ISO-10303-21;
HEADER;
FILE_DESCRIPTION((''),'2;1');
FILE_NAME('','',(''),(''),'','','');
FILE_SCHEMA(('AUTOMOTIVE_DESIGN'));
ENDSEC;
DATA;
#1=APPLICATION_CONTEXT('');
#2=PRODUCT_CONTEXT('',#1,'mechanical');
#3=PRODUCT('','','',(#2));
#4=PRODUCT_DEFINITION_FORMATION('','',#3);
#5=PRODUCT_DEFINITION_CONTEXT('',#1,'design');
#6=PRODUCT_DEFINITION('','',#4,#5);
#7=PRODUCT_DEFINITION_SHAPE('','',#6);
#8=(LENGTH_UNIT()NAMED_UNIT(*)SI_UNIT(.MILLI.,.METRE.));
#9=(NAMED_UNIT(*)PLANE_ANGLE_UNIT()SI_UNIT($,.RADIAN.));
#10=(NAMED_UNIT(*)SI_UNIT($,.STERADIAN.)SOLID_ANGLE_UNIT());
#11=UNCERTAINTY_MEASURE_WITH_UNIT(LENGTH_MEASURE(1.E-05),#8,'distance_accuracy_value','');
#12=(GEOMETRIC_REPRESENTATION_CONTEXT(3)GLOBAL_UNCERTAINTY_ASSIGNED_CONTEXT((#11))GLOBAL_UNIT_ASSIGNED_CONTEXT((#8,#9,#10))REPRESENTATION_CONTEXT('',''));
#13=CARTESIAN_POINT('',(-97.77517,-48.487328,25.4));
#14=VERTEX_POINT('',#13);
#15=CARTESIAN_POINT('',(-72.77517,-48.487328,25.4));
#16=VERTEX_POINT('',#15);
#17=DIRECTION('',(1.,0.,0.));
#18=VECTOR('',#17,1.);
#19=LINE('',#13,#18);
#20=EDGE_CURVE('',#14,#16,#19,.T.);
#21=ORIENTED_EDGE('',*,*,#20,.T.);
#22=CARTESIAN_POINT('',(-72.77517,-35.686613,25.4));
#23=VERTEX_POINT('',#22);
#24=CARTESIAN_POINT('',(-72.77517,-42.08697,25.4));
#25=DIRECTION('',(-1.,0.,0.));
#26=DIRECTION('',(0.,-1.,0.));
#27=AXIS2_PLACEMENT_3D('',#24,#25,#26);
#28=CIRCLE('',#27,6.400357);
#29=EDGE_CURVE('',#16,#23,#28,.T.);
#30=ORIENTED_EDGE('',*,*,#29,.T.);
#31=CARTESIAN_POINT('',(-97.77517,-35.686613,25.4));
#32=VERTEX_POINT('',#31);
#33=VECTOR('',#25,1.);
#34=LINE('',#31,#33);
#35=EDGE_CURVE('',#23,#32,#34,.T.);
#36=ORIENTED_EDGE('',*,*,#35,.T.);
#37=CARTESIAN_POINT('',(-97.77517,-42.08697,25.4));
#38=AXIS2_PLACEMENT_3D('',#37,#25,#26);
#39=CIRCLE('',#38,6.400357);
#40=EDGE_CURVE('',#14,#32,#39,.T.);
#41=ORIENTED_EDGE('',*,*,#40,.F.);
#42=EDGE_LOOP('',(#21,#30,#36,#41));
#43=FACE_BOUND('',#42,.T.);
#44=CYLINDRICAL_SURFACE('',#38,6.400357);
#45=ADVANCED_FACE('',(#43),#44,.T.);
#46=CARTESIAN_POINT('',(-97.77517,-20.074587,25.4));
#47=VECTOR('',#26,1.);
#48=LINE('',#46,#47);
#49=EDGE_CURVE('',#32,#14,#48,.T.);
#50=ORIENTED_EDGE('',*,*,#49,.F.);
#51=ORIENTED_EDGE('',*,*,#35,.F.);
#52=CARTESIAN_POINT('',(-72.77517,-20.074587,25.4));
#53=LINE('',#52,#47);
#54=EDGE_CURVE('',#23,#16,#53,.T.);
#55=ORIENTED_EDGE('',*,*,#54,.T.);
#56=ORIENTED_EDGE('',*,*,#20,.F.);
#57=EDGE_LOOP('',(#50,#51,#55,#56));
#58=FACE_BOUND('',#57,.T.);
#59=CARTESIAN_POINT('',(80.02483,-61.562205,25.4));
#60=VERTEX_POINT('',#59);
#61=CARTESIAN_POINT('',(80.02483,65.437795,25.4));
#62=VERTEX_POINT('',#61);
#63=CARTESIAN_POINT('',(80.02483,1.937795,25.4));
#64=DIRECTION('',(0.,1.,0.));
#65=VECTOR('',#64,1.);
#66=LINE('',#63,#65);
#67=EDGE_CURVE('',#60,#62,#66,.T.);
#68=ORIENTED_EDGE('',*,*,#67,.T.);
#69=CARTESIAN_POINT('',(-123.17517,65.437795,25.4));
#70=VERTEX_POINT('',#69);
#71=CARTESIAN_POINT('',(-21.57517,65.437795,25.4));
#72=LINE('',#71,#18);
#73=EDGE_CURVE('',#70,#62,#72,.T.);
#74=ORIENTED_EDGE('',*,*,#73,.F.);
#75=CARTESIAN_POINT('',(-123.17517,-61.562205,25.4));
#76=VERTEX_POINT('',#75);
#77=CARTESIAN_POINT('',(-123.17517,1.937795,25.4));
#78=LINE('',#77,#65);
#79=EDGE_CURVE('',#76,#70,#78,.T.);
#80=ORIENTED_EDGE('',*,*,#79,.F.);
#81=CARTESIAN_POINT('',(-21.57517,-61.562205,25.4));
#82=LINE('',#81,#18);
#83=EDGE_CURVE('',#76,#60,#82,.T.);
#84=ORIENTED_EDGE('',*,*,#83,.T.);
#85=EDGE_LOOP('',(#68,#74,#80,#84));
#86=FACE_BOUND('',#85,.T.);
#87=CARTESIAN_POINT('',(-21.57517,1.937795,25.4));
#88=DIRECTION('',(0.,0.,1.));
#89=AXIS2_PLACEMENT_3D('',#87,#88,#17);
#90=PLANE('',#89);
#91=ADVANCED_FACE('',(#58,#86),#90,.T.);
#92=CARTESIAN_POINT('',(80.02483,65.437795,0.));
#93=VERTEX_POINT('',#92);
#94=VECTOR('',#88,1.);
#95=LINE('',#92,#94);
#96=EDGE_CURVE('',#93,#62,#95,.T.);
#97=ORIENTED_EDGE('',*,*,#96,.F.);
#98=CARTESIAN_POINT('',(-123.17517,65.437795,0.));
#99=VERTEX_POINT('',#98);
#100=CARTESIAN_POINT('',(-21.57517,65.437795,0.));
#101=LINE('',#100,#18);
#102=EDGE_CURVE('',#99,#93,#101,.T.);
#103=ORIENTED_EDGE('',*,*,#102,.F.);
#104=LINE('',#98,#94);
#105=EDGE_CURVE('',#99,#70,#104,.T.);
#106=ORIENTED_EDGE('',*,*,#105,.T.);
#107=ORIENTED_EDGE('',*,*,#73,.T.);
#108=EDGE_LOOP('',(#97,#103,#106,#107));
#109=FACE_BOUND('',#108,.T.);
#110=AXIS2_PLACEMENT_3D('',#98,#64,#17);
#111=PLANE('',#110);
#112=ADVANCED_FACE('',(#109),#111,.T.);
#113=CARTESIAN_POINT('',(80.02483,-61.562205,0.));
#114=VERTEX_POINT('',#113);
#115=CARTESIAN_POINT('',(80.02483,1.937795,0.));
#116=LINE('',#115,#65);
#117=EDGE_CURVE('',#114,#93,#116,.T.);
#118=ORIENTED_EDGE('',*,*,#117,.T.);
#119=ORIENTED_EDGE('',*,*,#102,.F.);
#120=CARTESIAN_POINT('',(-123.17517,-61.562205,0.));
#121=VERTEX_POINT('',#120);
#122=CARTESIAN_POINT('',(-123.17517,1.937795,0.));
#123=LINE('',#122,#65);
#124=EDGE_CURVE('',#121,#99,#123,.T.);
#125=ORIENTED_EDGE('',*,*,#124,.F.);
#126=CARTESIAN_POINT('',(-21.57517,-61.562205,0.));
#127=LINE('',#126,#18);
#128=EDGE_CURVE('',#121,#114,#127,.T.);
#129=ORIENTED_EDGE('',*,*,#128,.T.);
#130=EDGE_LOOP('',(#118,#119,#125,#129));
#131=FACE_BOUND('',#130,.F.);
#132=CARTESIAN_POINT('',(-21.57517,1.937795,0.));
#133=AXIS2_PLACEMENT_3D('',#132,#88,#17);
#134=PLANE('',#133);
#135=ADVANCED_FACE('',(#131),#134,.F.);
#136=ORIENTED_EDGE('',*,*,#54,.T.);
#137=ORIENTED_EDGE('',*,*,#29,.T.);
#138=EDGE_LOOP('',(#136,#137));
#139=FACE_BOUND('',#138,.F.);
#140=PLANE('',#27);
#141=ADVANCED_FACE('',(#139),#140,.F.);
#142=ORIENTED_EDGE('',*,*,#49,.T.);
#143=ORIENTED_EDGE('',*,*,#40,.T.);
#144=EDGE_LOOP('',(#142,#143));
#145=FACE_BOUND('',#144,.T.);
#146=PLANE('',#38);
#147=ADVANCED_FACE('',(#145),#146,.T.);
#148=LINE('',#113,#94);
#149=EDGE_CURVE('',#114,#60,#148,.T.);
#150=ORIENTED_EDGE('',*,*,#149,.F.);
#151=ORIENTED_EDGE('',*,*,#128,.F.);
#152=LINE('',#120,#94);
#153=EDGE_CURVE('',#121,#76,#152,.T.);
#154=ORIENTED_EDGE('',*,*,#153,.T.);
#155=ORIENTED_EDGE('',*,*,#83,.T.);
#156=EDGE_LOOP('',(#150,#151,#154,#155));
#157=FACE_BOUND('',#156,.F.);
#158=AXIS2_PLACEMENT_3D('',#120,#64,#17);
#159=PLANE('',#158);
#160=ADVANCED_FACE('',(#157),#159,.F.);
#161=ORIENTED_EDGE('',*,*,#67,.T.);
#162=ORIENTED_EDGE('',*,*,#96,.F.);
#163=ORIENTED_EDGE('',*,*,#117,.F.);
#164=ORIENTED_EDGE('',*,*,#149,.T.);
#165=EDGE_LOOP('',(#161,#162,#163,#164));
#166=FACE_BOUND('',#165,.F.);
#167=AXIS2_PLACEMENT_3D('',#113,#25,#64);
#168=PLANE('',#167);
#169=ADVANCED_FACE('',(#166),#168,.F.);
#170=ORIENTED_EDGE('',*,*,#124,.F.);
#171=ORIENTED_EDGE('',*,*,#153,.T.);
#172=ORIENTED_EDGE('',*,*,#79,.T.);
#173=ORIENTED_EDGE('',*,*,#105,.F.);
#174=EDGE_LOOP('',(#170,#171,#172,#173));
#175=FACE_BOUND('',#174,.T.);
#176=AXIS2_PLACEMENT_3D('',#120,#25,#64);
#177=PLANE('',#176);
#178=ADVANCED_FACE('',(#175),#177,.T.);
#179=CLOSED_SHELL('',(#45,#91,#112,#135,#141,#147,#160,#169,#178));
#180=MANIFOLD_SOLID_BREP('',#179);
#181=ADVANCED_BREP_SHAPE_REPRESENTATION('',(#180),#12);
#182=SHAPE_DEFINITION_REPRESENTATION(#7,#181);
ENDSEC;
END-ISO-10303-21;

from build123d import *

# Parameters (mm, degrees)
F0_W     = 203.2
F0_H     = 127
F1_DEPTH = 25.4
F3_R     = 6.4003574435
F4_DEPTH = 25


with BuildPart() as f1:
    # F0 (on Top) → F1 (new body)
    with BuildSketch(Plane.XY):
        with Locations((-21.5751699987, 1.9377954304)):
            Rectangle(F0_W, F0_H)
    extrude(amount=F1_DEPTH)

    # F3 (on offset) → F4 (join)
    with BuildSketch(Plane(origin=(-97.7751699987, 0, 0), x_dir=(0, -1, 0), z_dir=(-1, 0, 0))):
        with Locations((42.0869700611, 25.4)):
            Circle(F3_R)
    extrude(amount=-F4_DEPTH)


solid = f1.part
